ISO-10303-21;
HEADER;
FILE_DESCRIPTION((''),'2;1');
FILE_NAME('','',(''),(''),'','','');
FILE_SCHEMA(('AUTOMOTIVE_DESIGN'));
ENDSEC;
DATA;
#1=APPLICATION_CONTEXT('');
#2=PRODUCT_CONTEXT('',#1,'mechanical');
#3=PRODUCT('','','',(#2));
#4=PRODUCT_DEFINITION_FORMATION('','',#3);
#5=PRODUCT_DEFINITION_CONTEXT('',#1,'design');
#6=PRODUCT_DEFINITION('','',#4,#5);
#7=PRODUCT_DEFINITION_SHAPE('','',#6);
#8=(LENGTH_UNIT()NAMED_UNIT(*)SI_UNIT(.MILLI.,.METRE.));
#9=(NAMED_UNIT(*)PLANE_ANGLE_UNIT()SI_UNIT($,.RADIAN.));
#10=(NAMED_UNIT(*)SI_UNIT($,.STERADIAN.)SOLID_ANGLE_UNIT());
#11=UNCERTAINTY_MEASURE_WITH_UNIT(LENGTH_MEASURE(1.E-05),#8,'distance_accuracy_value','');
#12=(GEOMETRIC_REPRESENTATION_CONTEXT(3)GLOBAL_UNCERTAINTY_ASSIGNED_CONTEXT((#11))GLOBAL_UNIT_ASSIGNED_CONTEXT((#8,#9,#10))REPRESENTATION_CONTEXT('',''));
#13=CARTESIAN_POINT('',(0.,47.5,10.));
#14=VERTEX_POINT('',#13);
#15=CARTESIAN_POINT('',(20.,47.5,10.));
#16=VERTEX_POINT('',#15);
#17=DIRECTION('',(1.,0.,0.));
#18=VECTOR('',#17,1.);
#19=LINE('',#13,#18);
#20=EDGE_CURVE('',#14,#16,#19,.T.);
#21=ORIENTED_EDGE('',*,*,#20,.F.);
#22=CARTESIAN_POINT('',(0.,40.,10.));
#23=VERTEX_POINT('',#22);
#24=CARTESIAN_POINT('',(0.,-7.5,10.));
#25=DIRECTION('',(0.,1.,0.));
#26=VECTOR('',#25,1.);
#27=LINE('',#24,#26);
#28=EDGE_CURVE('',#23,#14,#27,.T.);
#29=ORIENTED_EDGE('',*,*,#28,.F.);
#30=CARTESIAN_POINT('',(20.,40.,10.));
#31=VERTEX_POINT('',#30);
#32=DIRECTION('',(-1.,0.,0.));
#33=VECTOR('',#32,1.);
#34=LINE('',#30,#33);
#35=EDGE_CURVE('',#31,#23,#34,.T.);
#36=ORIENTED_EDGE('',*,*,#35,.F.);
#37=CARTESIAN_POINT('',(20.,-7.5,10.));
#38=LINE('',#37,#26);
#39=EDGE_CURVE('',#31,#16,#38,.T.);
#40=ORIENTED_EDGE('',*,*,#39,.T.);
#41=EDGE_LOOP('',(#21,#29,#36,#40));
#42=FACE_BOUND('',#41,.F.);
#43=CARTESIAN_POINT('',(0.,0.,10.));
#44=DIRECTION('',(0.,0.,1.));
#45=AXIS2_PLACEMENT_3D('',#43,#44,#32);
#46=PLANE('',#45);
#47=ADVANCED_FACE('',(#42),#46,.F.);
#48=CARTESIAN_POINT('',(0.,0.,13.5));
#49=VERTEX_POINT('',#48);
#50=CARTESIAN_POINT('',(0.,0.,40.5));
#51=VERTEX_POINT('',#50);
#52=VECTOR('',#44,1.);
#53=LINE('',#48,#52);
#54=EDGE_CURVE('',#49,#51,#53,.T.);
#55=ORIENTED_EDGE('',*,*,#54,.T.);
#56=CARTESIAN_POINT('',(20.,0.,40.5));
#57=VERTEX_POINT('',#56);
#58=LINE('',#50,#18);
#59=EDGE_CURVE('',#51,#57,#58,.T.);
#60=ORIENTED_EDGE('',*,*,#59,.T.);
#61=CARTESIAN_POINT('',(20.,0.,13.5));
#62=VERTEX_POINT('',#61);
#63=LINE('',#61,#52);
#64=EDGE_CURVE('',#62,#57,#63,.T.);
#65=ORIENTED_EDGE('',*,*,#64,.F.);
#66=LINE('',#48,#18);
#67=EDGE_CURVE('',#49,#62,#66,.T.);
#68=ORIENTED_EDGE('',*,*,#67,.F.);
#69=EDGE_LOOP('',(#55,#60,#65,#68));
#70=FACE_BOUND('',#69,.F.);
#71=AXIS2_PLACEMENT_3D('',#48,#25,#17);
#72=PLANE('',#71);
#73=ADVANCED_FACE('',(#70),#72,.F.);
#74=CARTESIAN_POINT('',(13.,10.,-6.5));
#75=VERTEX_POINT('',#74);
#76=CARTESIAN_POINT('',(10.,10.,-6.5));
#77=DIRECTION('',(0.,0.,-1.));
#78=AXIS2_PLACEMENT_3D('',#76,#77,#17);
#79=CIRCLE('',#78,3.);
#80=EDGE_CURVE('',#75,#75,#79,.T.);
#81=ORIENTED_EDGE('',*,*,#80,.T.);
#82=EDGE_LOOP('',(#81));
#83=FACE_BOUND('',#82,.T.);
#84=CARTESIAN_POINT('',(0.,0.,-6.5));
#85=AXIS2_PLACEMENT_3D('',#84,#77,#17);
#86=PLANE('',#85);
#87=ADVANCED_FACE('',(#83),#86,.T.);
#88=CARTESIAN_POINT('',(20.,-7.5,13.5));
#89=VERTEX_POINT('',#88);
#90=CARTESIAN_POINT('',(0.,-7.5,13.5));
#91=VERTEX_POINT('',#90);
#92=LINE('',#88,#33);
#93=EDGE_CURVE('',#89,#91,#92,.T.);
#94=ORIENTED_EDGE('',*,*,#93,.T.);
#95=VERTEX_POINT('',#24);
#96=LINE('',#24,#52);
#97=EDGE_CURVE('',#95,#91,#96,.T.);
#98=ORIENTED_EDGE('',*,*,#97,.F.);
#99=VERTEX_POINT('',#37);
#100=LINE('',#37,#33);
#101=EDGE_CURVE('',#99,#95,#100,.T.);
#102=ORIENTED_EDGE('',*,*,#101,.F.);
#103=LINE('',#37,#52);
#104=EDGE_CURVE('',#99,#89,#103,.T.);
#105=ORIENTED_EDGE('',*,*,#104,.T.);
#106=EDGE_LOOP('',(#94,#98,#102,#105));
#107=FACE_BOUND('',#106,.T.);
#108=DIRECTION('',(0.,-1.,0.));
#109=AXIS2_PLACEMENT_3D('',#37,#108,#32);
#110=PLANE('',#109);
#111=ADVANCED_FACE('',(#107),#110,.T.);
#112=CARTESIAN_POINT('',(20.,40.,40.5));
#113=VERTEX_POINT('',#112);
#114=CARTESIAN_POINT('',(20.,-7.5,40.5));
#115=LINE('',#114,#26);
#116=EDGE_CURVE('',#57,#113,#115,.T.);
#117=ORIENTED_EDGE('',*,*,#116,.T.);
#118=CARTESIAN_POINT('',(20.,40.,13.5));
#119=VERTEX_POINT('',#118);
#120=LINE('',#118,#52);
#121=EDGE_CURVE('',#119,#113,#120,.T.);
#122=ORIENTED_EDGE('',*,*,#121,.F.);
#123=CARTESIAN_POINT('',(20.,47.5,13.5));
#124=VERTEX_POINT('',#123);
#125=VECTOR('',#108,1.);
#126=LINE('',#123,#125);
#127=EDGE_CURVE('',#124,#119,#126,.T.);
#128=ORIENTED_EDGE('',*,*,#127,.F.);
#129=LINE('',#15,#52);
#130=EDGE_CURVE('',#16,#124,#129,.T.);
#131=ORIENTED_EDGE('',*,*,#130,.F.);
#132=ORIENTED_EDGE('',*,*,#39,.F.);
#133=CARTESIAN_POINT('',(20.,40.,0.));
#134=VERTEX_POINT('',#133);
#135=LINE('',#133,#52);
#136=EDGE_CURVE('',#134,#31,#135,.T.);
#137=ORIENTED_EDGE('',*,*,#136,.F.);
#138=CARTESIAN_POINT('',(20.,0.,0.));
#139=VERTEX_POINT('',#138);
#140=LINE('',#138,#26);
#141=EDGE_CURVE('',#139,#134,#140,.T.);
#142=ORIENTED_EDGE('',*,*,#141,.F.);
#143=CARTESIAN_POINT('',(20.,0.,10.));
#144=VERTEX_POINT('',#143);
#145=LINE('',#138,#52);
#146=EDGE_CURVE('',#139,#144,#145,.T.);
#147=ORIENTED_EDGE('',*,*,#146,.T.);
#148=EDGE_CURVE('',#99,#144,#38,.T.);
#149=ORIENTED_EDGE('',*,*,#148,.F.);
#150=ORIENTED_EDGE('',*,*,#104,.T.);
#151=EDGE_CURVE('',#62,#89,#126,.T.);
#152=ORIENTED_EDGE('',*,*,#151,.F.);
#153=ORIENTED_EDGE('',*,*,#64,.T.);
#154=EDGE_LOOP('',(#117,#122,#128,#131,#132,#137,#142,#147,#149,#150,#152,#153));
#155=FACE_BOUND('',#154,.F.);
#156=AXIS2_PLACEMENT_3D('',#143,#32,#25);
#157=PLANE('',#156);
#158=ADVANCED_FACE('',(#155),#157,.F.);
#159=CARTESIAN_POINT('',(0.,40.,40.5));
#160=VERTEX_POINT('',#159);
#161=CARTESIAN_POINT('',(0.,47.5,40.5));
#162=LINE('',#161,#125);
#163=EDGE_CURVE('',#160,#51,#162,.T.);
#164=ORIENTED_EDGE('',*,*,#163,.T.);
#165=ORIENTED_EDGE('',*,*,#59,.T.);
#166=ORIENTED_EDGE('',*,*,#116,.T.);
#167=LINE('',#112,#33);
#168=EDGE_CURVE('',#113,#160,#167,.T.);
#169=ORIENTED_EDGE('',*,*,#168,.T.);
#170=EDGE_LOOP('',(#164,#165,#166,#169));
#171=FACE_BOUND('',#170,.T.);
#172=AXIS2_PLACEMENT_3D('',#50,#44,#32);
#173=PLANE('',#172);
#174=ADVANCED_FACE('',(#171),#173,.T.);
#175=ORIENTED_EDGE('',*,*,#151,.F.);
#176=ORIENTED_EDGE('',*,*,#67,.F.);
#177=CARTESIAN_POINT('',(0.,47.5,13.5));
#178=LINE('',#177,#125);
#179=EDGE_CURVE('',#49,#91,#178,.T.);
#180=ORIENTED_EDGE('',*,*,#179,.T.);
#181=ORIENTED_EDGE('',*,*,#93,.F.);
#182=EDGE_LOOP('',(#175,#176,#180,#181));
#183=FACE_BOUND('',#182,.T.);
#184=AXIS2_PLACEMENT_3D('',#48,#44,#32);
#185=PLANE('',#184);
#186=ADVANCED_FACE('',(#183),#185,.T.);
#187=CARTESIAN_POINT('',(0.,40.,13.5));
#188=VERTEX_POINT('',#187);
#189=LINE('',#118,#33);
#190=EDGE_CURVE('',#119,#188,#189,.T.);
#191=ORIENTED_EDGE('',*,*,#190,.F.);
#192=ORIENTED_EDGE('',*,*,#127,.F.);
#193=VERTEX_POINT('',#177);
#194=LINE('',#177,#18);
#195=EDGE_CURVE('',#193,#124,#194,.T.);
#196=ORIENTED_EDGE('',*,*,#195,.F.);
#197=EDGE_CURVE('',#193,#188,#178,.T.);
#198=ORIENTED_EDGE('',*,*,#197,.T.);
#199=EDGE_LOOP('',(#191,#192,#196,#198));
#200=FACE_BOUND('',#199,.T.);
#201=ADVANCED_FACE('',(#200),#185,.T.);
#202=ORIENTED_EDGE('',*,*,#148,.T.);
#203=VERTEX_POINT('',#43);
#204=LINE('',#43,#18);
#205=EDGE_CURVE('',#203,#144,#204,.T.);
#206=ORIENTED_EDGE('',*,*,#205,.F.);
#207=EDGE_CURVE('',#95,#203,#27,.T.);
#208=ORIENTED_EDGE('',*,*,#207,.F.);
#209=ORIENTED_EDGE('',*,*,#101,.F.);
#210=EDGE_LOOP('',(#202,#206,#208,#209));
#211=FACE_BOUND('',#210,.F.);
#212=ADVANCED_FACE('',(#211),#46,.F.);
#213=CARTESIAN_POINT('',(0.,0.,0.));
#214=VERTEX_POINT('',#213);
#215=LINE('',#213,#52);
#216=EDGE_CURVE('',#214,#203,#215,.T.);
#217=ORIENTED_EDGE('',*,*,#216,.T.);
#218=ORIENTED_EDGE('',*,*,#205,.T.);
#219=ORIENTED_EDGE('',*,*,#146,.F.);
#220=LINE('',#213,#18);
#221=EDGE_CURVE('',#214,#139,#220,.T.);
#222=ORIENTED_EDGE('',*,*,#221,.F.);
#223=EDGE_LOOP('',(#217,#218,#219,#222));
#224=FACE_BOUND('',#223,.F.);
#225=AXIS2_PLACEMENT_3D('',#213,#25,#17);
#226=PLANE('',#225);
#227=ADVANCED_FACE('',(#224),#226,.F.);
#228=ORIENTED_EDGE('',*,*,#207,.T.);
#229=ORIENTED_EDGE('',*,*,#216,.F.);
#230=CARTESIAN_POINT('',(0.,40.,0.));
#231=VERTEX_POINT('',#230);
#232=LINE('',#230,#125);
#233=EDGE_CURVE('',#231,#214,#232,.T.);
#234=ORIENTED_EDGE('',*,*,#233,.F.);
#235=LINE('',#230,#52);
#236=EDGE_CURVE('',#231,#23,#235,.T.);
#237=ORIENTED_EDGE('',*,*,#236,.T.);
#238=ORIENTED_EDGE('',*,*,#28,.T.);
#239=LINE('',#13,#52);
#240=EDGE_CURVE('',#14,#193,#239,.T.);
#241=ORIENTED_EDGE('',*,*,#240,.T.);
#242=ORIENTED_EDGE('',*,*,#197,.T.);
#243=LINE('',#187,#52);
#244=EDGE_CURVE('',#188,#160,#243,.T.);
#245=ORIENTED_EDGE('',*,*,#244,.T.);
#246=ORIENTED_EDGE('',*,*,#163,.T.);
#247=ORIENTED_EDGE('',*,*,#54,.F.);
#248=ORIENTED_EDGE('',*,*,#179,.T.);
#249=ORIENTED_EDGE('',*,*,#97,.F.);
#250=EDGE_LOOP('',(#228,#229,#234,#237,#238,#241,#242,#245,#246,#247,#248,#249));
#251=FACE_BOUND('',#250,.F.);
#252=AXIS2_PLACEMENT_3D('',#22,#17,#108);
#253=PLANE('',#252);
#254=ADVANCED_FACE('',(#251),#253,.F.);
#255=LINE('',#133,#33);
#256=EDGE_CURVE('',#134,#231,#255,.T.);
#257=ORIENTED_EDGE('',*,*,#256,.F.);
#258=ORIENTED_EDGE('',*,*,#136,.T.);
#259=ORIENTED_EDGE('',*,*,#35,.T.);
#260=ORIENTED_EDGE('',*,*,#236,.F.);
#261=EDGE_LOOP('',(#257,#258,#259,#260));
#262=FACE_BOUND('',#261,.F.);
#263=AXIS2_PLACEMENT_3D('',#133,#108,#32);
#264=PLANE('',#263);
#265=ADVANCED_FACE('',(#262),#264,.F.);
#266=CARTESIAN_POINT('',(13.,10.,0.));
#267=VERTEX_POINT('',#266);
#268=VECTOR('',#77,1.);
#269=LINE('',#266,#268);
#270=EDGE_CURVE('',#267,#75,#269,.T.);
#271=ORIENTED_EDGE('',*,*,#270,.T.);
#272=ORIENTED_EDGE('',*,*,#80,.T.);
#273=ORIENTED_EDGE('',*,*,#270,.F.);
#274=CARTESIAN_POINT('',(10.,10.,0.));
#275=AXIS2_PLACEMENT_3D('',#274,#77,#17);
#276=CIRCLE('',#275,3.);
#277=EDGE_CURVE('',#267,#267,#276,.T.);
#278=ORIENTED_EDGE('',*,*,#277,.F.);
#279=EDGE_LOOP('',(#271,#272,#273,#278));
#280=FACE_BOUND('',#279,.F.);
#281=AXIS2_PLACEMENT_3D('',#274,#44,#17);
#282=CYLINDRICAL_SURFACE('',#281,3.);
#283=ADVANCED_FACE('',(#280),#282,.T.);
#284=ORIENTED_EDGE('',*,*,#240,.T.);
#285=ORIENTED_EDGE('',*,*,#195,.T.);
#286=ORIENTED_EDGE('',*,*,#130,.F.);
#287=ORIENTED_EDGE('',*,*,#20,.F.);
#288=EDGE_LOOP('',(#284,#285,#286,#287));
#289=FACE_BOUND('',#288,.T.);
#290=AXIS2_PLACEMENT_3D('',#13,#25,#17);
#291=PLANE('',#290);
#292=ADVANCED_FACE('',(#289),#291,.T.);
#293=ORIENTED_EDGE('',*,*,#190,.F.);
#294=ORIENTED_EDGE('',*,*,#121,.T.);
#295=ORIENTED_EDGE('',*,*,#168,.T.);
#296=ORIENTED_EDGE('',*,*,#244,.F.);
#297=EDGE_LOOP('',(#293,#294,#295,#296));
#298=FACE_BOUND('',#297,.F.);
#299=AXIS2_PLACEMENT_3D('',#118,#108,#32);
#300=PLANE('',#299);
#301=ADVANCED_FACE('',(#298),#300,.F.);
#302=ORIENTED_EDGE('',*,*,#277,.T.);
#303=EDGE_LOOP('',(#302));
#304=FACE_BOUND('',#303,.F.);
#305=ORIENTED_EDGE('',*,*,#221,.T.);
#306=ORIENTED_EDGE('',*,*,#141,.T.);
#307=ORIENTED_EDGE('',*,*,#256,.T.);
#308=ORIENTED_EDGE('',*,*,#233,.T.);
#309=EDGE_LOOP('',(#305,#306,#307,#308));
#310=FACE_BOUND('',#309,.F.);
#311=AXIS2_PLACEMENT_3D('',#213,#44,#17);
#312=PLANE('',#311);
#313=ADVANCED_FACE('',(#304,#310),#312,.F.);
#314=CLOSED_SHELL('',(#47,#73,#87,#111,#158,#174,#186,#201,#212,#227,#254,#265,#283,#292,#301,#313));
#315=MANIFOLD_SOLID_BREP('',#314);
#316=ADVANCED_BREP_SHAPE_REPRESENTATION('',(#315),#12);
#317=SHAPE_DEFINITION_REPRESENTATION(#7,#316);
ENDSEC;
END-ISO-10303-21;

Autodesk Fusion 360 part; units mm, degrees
sketch "スケッチ1" plane through (0, 0, 0) normal (0, 0, 1) x (1, 0, 0)
  line L0 (0, 0) -> (20, 0)
  line L1 (20, 0) -> (20, 40)
  line L2 (20, 40) -> (0, 40)
  line L3 (0, 40) -> (0, 0)
  dimension "d1" = 20
  dimension "d2" = 40
extrude "押し出し1" add sketch "スケッチ1" along normal blind 10
sketch "スケッチ2" plane through (0, 0, 10) normal (0, 0, 1) x (-1, 0, 0)
  line L0 (0, -40) -> (0, 0)
  line L1 (0, 0) -> (-20, 0)
  line L2 (-20, 0) -> (-20, -40)
  line L3 (-20, -40) -> (0, -40)
  line L4 (0, -47.5) -> (-20, -47.5)
  line L5 (-20, -47.5) -> (-20, 7.5)
  line L6 (-20, 7.5) -> (0, 7.5)
  line L7 (0, 7.5) -> (0, -47.5)
  dimension "d5" = 55
  dimension "d6" = 7.5
extrude "押し出し2" add sketch "スケッチ2" along normal blind 3.5
sketch "スケッチ3" plane through (0, 0, 13.5) normal (0, 0, 1) x (-1, 0, 0)
  line L0 (0, 7.5) -> (-20, 7.5)
  line L1 (-20, 7.5) -> (-20, -47.5)
  line L2 (-20, -47.5) -> (0, -47.5)
  line L3 (0, -47.5) -> (0, 7.5)
  line L4 (0, 0) -> (-20, 0)
  line L5 (-20, 0) -> (-20, -40)
  line L6 (-20, -40) -> (0, -40)
  line L7 (0, -40) -> (0, 0)
  dimension "d9" = 40
extrude "押し出し3" add sketch "スケッチ3" along normal blind 27 contours L1 L3 L4 L5 L6 L7
sketch "スケッチ4" plane through (0, 0, 0) normal (0, 0, -1) x (1, 0, 0)
  line L0 (0, 0) -> (0, -40)
  line L1 (0, -40) -> (20, -40)
  line L2 (20, -40) -> (20, 0)
  line L3 (20, 0) -> (0, 0)
  circle A0 centre (10, -10) radius 3
  dimension "d12" = 6
extrude "押し出し4" add sketch "スケッチ4" along normal blind 6.5 contours A0
